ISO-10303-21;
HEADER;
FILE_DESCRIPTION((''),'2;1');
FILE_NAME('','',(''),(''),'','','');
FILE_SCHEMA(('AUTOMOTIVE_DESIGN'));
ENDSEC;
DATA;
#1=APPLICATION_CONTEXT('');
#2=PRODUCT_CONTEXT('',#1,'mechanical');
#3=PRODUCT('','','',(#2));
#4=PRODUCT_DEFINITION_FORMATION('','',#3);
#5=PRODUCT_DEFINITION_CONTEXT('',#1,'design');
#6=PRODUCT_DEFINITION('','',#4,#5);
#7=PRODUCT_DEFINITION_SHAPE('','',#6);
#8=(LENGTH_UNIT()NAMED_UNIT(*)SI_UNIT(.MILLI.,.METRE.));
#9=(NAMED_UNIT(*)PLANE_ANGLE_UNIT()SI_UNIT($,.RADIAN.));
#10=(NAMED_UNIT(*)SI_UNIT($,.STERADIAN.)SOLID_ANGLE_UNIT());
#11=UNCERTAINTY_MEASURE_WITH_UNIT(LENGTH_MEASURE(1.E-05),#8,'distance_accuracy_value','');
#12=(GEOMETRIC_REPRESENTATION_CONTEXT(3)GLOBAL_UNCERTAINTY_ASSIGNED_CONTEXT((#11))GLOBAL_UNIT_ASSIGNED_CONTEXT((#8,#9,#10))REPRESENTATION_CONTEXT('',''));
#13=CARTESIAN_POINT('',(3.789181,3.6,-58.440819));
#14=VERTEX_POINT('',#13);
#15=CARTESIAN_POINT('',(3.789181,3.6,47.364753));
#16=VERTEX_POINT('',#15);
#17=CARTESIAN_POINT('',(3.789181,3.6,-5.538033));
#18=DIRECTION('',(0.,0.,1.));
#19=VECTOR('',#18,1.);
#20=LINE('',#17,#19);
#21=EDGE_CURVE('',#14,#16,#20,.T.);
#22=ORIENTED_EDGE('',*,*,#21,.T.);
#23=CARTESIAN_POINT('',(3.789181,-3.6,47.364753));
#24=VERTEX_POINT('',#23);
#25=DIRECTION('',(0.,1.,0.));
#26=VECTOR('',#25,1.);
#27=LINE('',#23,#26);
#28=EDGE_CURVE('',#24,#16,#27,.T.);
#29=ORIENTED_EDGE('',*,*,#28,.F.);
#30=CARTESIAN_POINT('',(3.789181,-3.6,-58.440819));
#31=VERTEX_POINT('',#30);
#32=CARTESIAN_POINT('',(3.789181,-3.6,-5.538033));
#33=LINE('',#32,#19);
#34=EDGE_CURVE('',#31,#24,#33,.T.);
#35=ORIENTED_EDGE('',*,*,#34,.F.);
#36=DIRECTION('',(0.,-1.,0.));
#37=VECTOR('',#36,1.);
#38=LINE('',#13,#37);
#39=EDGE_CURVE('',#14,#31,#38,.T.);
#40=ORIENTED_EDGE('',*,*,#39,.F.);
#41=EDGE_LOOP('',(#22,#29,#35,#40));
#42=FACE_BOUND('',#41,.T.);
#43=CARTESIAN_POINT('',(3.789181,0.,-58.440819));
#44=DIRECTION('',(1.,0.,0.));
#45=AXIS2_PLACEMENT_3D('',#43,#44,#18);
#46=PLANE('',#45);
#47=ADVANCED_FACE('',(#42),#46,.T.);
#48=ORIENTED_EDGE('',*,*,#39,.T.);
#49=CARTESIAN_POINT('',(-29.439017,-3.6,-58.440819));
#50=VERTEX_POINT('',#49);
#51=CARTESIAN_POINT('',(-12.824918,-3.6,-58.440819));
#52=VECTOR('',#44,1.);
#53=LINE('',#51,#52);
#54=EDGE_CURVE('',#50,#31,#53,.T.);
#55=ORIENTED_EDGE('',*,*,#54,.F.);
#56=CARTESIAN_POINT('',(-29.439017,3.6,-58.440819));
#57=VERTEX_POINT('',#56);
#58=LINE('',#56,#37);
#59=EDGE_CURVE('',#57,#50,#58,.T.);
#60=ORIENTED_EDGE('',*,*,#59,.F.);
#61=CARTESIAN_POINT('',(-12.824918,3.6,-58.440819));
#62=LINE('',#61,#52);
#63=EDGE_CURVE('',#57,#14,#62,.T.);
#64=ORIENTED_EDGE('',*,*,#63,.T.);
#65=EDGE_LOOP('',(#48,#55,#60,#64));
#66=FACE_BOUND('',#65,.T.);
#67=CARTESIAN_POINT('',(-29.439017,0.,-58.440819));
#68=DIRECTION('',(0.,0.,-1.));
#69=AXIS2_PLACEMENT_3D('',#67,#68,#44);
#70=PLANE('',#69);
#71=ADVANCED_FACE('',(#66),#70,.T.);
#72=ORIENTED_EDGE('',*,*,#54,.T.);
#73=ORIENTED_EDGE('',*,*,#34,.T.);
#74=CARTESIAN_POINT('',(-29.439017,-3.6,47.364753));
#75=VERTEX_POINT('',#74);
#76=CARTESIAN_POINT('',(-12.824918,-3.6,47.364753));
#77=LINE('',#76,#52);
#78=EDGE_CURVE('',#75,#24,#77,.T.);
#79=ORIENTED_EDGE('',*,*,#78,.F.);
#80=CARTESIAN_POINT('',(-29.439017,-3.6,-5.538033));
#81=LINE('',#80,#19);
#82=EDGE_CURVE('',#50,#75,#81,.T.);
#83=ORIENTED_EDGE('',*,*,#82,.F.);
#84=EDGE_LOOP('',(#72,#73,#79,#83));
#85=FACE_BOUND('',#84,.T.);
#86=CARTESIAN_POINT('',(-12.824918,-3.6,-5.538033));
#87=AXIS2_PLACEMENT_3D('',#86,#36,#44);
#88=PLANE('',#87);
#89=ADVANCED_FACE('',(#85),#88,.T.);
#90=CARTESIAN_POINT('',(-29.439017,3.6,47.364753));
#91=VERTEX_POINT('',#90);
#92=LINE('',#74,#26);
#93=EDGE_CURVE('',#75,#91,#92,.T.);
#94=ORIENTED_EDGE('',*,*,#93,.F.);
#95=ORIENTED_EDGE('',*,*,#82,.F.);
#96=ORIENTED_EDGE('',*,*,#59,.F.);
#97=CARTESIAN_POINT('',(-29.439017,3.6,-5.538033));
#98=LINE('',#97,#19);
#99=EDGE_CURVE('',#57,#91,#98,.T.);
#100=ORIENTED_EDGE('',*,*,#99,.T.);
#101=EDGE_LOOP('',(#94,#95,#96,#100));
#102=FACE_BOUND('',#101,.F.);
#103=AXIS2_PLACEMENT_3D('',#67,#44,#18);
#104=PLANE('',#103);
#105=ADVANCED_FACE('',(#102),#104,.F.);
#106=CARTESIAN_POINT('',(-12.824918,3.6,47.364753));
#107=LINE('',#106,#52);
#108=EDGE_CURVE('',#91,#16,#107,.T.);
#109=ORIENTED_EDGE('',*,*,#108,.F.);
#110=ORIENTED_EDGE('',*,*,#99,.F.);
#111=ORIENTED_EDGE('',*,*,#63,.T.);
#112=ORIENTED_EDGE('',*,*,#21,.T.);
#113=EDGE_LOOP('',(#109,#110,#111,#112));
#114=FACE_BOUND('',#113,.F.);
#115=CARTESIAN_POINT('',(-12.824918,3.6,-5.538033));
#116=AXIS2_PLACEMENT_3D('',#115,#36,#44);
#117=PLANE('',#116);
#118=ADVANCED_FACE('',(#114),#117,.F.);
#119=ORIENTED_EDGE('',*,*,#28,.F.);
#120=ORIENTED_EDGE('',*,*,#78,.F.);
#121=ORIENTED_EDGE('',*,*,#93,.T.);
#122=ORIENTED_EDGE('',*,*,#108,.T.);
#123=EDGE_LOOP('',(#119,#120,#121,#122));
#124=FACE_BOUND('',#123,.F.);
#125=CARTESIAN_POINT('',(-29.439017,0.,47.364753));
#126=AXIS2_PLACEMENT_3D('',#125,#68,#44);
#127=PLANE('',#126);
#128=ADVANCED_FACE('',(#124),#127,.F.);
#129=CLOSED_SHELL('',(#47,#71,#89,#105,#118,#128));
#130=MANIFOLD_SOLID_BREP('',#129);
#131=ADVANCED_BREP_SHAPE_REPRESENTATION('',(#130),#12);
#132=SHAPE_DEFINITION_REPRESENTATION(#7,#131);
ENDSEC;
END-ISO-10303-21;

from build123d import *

# Parameters (mm, degrees)
F0_W     = 33.228198
F0_H     = 105.805572
F1_DEPTH = 3.6


with BuildPart() as f1:
    # F0 (on Front) → F1 (new body, symmetric)
    with BuildSketch(Plane.XZ):
        with Locations((-12.824918, -5.538033)):
            Rectangle(F0_W, F0_H)
    extrude(amount=F1_DEPTH, both=True)


solid = f1.part
